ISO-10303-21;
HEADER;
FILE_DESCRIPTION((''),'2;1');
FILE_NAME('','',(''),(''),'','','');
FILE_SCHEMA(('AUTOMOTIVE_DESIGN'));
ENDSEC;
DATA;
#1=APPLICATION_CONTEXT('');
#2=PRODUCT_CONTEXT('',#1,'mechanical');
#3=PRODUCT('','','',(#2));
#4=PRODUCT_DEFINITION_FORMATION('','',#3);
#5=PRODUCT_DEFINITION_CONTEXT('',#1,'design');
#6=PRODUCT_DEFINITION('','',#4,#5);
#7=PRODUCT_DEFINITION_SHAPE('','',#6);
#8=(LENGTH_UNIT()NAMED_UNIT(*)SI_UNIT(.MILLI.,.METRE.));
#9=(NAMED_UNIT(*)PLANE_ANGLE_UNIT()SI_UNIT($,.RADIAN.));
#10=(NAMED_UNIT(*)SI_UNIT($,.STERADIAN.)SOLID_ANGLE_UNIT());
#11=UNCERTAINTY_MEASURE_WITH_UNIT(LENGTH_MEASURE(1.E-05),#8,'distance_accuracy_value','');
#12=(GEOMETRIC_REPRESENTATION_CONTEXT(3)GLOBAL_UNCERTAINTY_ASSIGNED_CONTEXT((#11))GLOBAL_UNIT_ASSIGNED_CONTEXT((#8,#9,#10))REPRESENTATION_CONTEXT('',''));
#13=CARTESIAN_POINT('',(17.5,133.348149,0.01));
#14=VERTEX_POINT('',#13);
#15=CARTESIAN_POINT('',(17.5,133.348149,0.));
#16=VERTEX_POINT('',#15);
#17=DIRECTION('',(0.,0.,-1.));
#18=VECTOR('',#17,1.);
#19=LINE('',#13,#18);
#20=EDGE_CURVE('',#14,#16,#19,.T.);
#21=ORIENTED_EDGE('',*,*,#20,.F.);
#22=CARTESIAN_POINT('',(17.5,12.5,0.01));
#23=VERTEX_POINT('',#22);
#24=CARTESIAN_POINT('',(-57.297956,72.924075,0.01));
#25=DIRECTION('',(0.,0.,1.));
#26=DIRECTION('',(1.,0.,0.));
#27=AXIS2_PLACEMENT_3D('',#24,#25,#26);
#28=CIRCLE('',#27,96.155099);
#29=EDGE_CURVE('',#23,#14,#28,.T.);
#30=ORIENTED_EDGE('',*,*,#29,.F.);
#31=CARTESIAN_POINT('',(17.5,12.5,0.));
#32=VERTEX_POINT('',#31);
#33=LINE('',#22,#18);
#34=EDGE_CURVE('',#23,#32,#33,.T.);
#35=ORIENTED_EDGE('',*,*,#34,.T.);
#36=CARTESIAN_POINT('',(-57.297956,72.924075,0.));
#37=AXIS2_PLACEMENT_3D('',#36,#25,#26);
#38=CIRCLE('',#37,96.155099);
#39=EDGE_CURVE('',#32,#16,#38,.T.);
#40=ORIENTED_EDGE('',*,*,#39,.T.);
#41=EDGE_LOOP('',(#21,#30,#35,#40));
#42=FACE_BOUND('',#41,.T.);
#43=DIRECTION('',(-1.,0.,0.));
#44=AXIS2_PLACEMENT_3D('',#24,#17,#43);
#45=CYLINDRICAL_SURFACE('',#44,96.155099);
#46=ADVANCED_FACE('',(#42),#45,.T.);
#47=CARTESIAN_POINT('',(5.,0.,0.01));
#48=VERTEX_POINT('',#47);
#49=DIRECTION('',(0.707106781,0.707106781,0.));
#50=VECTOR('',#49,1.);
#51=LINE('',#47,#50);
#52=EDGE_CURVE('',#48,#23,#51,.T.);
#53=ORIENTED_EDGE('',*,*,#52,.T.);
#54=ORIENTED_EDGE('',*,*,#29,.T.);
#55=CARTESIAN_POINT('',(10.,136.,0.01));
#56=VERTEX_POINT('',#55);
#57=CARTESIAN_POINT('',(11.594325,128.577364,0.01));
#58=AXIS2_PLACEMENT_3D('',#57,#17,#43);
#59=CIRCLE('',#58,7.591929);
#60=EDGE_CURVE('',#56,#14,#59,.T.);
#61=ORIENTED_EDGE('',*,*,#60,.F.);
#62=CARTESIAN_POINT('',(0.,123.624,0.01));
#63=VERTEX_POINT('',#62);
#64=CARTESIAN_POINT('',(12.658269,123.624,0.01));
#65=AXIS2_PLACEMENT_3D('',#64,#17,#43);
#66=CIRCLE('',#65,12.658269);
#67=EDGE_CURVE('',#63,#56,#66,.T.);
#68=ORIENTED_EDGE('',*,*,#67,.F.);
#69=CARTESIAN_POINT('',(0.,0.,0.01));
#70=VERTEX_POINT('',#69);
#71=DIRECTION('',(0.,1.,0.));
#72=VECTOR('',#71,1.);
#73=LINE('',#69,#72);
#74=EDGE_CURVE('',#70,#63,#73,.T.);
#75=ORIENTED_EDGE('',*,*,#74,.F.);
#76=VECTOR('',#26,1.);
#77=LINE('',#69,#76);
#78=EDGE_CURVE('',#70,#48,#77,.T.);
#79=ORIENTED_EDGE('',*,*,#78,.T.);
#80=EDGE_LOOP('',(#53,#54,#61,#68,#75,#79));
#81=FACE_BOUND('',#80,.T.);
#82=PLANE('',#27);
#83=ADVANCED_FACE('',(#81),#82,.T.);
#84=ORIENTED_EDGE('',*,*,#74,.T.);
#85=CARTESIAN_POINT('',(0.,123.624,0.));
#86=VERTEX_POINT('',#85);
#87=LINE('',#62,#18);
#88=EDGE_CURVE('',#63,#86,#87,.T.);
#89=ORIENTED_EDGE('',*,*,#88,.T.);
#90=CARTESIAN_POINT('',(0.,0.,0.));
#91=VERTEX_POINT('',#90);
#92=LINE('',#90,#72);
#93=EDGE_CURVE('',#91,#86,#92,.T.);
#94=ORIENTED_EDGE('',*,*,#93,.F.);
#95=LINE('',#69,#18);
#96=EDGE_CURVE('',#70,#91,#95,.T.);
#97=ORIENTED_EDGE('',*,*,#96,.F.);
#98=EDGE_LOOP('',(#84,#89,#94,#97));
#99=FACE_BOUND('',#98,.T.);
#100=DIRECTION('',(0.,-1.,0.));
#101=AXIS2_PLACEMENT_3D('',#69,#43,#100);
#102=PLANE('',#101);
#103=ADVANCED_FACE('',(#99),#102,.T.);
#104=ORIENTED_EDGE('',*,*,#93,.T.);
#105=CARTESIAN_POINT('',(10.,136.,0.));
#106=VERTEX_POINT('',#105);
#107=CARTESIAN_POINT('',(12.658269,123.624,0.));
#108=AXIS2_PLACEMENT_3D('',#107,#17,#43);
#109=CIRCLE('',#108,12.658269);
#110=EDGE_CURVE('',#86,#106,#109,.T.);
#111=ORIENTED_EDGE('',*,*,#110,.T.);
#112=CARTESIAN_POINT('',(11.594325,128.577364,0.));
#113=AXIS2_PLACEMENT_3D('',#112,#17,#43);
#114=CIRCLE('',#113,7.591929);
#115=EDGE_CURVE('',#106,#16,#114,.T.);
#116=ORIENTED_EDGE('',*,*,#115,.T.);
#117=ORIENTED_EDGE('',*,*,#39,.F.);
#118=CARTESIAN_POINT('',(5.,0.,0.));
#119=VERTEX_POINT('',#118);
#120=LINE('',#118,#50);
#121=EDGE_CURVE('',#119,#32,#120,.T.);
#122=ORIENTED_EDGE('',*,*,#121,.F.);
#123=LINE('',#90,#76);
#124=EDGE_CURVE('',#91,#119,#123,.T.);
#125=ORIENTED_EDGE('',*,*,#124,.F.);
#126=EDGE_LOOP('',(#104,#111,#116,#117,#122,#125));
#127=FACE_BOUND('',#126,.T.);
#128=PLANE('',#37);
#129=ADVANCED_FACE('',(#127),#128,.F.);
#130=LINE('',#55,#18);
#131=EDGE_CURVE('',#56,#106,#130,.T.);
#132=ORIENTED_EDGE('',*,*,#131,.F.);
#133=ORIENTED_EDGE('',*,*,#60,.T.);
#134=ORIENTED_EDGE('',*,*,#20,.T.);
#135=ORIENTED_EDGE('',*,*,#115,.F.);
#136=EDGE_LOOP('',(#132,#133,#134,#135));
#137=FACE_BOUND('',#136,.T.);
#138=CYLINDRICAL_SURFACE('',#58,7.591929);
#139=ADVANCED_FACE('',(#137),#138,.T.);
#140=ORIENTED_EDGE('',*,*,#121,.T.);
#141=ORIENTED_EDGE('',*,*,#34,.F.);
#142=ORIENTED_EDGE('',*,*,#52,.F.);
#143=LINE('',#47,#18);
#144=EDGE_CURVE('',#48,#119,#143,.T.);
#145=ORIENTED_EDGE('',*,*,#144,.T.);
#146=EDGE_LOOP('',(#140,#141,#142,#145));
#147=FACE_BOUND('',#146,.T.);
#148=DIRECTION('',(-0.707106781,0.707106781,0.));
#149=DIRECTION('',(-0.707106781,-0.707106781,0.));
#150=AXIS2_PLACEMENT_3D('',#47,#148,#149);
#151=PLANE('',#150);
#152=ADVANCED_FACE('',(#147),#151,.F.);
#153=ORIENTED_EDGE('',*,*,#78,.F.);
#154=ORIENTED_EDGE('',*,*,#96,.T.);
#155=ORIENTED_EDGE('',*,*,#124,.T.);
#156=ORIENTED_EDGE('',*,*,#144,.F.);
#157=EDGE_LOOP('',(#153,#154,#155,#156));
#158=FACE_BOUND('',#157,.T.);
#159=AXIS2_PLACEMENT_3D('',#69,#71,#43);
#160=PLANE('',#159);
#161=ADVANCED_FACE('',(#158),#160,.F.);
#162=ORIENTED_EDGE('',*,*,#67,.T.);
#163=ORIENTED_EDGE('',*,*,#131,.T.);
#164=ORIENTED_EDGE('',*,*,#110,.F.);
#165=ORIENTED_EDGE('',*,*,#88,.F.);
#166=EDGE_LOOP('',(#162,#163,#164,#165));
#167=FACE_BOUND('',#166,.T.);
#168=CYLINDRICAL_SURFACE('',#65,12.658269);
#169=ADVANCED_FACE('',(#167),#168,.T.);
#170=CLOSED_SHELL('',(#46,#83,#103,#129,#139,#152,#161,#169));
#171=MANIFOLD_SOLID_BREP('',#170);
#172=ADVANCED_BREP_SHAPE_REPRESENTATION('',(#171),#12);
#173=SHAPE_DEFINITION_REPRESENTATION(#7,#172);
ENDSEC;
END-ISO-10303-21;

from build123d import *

# Parameters (mm, degrees)
BOSS_EXTRUDE1_DEPTH = 0.01


with BuildPart() as part:
    # Sketch1 → Boss-Extrude1 (new body)
    with BuildSketch(Plane(origin=(0, 0, 0), x_dir=(0, 1, 0), z_dir=(0, 0, 1))):
        with BuildLine():
            Line((0, 0), (123.624, 0))
            ThreePointArc((123.624, 0), (131.579585711, -2.812435924), (136, -10))
            ThreePointArc((136, -10), (135.735043894, -14.125137593), (133.348149335, -17.5))
            ThreePointArc((133.348149335, -17.5), (72.924074667, -38.857142857), (12.5, -17.5))
            Line((12.5, -17.5), (0, -5))
            Line((0, -5), (0, 0))
        make_face()
    extrude(amount=BOSS_EXTRUDE1_DEPTH)


solid = part.part
